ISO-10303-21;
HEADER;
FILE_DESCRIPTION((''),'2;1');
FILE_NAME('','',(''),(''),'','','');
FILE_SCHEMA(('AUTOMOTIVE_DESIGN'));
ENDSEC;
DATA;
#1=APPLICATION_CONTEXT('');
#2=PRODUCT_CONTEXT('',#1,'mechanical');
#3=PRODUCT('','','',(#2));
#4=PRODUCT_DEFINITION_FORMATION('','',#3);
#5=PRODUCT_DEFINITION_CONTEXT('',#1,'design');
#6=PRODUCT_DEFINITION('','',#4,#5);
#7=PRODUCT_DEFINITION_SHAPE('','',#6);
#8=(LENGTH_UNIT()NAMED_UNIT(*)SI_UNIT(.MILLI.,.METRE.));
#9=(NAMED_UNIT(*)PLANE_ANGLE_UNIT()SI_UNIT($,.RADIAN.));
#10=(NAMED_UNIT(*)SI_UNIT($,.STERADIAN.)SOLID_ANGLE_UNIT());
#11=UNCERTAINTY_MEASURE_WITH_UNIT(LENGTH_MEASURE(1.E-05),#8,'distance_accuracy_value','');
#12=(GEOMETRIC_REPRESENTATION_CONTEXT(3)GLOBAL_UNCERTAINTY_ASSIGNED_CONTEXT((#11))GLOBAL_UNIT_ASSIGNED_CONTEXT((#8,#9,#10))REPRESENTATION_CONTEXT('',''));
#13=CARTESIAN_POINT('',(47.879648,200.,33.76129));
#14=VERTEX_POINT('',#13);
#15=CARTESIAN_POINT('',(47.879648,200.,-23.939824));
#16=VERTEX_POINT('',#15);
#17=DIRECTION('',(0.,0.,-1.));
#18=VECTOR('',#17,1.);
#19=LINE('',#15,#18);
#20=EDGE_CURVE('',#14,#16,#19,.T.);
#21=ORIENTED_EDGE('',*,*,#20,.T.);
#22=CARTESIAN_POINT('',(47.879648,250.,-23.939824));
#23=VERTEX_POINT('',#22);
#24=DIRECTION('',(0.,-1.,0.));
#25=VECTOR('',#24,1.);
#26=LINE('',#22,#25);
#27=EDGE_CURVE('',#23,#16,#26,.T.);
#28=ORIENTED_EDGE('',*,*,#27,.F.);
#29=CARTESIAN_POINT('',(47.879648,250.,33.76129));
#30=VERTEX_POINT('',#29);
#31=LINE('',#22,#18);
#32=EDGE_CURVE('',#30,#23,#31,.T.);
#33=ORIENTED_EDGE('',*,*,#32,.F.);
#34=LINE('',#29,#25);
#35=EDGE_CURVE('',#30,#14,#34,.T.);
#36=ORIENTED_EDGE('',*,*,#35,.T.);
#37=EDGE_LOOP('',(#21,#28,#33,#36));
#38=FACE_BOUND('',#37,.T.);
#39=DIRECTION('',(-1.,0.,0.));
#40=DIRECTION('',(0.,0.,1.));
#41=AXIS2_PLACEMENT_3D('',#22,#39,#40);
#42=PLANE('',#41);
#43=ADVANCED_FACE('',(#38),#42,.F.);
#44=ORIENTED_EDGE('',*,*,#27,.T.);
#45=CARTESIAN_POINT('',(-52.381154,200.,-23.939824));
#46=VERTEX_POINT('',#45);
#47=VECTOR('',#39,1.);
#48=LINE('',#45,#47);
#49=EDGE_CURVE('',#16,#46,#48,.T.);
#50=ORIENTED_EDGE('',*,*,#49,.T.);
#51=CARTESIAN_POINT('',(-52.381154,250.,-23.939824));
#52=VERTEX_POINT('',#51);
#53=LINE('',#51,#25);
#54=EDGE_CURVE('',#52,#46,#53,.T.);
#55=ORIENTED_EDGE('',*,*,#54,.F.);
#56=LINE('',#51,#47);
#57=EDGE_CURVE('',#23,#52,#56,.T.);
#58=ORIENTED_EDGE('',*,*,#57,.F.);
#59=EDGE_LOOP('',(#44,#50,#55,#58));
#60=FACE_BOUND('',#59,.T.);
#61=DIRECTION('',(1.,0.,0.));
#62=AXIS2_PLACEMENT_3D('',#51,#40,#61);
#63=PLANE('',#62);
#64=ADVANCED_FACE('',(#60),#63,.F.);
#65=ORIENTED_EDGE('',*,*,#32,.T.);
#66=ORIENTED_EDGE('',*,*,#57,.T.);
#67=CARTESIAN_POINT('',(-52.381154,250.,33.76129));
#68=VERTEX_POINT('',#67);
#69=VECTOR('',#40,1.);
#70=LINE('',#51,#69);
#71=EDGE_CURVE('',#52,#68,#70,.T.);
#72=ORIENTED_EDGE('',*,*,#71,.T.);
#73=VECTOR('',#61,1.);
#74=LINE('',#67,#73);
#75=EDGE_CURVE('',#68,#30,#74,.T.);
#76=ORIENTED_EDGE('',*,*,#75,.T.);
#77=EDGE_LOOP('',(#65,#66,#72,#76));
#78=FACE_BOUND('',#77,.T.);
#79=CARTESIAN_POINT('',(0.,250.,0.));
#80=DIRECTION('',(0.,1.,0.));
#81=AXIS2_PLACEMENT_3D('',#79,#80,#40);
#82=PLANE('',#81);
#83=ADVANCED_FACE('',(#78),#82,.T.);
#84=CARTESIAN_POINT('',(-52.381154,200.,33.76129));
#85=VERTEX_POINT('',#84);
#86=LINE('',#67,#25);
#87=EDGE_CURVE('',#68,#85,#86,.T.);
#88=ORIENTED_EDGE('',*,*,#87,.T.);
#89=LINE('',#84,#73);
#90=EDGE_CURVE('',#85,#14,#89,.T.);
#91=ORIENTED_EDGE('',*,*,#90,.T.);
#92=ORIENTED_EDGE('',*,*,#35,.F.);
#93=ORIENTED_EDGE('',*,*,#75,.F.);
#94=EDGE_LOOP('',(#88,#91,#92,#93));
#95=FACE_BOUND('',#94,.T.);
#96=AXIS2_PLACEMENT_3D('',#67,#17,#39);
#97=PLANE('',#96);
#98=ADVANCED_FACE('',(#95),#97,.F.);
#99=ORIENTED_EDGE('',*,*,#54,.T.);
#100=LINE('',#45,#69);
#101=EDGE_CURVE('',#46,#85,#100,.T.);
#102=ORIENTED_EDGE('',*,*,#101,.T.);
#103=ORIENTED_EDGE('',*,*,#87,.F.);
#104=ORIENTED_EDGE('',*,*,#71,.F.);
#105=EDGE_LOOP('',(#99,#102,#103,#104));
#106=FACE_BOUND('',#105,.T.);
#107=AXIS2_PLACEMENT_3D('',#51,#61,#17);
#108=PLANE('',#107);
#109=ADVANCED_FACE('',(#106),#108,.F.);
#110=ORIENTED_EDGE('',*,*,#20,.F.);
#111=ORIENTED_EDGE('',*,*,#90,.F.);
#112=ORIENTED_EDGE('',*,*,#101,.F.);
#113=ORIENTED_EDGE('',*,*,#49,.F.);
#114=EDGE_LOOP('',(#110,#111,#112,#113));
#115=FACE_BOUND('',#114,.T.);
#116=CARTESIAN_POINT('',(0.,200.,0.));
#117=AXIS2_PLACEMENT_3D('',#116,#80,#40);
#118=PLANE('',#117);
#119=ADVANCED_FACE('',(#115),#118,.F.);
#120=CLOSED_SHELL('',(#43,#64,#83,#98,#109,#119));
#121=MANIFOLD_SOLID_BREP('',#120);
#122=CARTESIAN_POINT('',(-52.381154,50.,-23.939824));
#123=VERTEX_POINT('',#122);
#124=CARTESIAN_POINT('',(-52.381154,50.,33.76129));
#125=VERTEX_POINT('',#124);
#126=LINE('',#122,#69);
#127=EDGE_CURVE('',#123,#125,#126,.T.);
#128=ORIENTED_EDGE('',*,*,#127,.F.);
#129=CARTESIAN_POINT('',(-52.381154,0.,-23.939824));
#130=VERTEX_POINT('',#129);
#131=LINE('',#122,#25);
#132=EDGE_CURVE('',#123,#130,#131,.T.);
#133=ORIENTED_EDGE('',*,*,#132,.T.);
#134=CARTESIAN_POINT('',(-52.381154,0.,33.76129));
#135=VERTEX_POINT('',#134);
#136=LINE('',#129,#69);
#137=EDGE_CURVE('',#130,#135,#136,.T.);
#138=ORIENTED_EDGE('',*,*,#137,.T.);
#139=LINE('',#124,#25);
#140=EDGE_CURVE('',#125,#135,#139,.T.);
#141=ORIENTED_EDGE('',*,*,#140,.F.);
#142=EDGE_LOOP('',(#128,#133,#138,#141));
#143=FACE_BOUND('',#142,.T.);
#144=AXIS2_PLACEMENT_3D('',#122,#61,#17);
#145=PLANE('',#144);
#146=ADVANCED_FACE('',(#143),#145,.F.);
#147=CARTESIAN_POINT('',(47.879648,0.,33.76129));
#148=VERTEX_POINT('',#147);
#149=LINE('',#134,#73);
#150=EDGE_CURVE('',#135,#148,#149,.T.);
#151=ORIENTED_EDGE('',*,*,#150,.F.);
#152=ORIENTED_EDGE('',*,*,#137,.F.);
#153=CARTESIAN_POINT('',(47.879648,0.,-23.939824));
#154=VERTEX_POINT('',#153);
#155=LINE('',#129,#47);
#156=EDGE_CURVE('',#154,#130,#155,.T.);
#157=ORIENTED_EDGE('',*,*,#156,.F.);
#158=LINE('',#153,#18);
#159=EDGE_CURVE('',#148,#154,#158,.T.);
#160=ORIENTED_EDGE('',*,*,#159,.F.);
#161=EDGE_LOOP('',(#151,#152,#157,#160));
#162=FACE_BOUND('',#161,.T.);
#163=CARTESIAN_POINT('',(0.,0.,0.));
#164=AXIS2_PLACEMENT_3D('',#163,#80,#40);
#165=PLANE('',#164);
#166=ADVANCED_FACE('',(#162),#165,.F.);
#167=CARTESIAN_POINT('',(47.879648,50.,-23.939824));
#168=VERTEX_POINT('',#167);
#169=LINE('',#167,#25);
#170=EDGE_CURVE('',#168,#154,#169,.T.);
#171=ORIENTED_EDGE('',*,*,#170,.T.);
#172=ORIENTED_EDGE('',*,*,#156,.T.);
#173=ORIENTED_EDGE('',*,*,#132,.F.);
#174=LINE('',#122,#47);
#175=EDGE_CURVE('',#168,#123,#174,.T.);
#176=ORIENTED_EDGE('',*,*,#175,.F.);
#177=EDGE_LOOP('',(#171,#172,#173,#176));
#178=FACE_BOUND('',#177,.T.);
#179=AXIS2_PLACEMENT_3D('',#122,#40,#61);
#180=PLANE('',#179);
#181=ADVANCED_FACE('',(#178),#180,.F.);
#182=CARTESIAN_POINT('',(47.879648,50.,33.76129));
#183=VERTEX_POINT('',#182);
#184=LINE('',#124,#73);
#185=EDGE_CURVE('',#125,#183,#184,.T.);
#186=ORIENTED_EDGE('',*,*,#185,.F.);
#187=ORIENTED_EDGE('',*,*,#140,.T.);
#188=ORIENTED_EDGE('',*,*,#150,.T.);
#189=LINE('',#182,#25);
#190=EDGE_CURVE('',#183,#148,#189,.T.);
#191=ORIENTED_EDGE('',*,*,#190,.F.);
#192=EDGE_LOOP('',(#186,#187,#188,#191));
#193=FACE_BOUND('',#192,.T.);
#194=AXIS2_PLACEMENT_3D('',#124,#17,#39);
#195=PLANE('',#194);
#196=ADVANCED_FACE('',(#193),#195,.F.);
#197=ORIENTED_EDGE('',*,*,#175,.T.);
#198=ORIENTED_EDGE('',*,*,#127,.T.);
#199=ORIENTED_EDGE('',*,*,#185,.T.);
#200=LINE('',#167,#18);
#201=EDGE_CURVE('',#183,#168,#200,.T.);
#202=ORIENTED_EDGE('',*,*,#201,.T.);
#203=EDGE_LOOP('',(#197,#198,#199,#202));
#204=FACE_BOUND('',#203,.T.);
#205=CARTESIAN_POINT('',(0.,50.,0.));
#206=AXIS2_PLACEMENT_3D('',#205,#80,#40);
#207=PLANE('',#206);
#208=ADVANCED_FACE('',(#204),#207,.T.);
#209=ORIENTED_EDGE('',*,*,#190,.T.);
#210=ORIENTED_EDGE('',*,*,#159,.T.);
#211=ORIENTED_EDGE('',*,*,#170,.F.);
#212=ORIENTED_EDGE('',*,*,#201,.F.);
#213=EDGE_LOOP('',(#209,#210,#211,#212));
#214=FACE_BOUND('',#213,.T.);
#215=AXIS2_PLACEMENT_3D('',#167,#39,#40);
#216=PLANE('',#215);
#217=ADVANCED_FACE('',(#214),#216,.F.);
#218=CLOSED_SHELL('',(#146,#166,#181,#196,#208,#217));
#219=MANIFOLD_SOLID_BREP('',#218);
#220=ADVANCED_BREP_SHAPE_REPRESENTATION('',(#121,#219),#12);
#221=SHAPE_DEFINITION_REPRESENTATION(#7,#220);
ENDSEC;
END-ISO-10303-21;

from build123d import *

# Parameters (mm, degrees)
SKETCH1_W           = 100.260802056
SKETCH1_H           = 57.701114652
BOSS_EXTRUDE1_DEPTH = 50
SKETCH2_W           = 100.260802056
SKETCH2_H           = 57.701114652
BOSS_EXTRUDE2_DEPTH = 50


with BuildPart() as part:
    # Sketch1 → Boss-Extrude1 (new body)
    with BuildSketch(Plane(origin=(0, 0, 0), x_dir=(1, 0, 0), z_dir=(0, 1, 0))):
        with Locations((-2.250752699, -4.910733162)):
            Rectangle(SKETCH1_W, SKETCH1_H)
    extrude(amount=BOSS_EXTRUDE1_DEPTH)


with BuildPart() as body_2:
    # Sketch2 → Boss-Extrude2 (new body)
    with BuildSketch(Plane(origin=(0, 200, 0), x_dir=(1, 0, 0), z_dir=(0, 1, 0))):
        with Locations((-2.250752699, -4.910733162)):
            Rectangle(SKETCH2_W, SKETCH2_H)
    extrude(amount=BOSS_EXTRUDE2_DEPTH)


solid = Compound([part.part, body_2.part])
